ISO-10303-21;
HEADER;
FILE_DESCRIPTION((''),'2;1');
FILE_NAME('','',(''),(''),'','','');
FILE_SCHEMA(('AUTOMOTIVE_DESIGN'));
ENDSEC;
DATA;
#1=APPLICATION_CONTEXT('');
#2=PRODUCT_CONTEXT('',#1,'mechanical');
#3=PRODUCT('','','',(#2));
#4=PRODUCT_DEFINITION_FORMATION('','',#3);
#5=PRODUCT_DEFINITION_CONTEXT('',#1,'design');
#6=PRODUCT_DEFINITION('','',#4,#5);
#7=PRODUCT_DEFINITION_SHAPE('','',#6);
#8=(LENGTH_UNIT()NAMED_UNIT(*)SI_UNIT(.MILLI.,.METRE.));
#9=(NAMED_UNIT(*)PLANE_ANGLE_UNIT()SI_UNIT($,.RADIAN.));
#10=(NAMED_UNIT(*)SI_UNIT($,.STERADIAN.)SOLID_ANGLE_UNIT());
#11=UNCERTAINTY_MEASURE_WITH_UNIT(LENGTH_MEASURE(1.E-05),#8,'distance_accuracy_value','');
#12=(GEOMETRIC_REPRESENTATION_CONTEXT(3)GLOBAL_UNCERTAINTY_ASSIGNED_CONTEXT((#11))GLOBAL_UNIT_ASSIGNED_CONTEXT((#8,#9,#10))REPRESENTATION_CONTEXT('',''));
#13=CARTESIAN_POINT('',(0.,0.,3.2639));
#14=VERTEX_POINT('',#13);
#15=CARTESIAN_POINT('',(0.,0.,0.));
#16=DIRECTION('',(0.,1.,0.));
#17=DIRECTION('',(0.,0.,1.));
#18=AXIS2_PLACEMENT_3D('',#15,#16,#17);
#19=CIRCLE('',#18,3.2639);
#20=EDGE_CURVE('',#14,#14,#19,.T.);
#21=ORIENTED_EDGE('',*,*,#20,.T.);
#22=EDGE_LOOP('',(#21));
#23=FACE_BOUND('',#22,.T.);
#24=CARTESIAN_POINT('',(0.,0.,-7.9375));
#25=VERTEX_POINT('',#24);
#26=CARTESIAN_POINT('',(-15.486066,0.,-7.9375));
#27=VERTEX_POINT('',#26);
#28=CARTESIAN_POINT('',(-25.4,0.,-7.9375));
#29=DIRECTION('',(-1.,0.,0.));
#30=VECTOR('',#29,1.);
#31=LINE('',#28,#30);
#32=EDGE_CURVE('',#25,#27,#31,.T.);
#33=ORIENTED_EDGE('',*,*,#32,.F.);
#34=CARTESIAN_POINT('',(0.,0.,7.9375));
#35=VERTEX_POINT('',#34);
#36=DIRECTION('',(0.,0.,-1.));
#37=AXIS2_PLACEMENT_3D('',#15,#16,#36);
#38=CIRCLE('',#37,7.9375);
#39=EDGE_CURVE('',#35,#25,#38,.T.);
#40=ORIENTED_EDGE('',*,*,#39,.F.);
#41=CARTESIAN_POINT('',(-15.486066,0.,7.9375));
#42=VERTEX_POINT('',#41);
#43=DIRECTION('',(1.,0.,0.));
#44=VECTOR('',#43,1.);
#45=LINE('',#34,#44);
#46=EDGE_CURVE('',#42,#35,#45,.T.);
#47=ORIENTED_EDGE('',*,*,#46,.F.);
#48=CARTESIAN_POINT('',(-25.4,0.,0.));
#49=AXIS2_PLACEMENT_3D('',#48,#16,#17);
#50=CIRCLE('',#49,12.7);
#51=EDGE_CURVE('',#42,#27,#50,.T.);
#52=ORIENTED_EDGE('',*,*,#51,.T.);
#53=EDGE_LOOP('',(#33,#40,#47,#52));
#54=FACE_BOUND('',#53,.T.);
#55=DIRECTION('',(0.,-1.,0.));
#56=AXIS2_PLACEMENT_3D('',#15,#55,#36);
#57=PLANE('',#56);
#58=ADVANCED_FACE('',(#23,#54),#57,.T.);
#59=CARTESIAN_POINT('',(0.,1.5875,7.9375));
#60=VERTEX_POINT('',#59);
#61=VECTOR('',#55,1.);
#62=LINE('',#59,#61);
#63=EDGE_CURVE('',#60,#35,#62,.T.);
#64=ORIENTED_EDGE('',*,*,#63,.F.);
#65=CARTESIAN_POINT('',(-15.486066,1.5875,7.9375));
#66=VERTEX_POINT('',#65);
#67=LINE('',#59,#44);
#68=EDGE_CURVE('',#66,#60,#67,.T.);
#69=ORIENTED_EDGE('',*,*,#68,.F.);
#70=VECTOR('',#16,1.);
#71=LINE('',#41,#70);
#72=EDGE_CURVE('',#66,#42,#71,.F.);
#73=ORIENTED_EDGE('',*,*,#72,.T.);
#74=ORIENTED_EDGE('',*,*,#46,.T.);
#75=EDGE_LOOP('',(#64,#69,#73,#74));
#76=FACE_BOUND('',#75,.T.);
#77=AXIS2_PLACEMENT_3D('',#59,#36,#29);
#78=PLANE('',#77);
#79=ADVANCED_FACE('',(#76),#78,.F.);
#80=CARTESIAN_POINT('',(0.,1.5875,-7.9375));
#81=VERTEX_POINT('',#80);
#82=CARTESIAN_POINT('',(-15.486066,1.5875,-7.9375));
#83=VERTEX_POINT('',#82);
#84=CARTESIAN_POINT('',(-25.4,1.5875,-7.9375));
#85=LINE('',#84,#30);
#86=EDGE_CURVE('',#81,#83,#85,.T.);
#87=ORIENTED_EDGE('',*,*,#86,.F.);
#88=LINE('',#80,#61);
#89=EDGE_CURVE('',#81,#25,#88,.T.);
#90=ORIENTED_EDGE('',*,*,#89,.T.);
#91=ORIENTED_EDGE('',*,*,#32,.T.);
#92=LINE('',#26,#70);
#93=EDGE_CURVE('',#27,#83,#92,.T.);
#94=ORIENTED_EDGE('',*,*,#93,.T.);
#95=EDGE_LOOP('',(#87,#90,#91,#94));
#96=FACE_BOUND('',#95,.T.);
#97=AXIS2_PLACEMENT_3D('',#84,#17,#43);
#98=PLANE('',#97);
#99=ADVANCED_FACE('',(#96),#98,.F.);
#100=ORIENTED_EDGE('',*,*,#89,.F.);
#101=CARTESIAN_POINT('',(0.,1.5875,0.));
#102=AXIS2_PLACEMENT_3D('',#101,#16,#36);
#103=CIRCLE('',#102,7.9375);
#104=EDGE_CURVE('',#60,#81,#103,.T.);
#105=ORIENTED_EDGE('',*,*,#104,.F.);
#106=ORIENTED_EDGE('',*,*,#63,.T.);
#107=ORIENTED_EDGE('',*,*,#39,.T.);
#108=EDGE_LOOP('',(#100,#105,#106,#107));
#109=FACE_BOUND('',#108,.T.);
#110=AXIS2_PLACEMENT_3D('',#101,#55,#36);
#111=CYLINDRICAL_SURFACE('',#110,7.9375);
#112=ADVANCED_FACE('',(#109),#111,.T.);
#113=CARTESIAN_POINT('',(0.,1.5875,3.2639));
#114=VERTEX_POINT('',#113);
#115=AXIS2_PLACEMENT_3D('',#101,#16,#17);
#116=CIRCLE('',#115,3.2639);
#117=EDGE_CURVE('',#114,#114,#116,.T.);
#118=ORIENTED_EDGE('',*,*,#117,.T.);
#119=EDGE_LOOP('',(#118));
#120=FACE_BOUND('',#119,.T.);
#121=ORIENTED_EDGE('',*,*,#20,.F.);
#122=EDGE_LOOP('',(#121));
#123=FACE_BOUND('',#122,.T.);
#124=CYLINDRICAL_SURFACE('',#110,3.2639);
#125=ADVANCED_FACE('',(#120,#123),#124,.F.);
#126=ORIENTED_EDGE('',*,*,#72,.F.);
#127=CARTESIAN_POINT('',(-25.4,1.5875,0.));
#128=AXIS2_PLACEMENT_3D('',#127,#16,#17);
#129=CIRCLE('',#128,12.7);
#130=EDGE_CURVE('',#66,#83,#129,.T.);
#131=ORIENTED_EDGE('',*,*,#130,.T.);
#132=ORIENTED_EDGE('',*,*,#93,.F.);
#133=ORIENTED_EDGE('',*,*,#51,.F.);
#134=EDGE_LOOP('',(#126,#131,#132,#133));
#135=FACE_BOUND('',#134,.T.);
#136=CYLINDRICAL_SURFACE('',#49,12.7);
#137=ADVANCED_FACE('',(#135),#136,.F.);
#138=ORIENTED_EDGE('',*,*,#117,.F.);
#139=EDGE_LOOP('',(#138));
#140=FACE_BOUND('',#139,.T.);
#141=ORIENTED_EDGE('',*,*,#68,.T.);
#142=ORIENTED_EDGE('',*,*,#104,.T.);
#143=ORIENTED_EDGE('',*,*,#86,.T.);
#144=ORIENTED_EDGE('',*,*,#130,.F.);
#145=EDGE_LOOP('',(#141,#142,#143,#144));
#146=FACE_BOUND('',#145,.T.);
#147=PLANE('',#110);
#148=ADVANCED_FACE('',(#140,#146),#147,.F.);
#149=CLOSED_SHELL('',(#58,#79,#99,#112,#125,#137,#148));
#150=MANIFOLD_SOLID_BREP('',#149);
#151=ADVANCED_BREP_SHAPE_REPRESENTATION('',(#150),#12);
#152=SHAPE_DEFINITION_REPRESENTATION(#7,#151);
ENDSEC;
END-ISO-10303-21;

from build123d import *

# Parameters (mm, degrees)
SKETCH1_R           = 3.2639
BOSS_EXTRUDE1_DEPTH = 1.5875
SKETCH2_R           = 12.7
CUT_EXTRUDE1_DEPTH  = 27.658658303


with BuildPart() as part:
    # Sketch1 → Boss-Extrude1 (new body)
    with BuildSketch(Plane(origin=(0, 0, 0), x_dir=(1, 0, 0), z_dir=(0, 1, 0))):
        with BuildLine():
            Line((-25.4, 7.9375), (0, 7.9375))
            ThreePointArc((0, 7.9375), (7.9375, 0), (0, -7.9375))
            Line((0, -7.9375), (-25.4, -7.9375))
            Line((-25.4, -7.9375), (-25.4, 7.9375))
        make_face()
        with Locations(Location((0, 0, 0), (0, 0, 270))):
            Circle(SKETCH1_R, mode=Mode.SUBTRACT)
    extrude(amount=BOSS_EXTRUDE1_DEPTH)

    # Sketch2 → Cut-Extrude1 (cut, through all)
    with BuildSketch(Plane(origin=(0, 1.5875, 0), x_dir=(1, 0, 0), z_dir=(0, 1, 0))):
        with Locations((-25.4, 0)):
            Circle(SKETCH2_R)
    extrude(amount=-CUT_EXTRUDE1_DEPTH, mode=Mode.SUBTRACT)


solid = part.part
